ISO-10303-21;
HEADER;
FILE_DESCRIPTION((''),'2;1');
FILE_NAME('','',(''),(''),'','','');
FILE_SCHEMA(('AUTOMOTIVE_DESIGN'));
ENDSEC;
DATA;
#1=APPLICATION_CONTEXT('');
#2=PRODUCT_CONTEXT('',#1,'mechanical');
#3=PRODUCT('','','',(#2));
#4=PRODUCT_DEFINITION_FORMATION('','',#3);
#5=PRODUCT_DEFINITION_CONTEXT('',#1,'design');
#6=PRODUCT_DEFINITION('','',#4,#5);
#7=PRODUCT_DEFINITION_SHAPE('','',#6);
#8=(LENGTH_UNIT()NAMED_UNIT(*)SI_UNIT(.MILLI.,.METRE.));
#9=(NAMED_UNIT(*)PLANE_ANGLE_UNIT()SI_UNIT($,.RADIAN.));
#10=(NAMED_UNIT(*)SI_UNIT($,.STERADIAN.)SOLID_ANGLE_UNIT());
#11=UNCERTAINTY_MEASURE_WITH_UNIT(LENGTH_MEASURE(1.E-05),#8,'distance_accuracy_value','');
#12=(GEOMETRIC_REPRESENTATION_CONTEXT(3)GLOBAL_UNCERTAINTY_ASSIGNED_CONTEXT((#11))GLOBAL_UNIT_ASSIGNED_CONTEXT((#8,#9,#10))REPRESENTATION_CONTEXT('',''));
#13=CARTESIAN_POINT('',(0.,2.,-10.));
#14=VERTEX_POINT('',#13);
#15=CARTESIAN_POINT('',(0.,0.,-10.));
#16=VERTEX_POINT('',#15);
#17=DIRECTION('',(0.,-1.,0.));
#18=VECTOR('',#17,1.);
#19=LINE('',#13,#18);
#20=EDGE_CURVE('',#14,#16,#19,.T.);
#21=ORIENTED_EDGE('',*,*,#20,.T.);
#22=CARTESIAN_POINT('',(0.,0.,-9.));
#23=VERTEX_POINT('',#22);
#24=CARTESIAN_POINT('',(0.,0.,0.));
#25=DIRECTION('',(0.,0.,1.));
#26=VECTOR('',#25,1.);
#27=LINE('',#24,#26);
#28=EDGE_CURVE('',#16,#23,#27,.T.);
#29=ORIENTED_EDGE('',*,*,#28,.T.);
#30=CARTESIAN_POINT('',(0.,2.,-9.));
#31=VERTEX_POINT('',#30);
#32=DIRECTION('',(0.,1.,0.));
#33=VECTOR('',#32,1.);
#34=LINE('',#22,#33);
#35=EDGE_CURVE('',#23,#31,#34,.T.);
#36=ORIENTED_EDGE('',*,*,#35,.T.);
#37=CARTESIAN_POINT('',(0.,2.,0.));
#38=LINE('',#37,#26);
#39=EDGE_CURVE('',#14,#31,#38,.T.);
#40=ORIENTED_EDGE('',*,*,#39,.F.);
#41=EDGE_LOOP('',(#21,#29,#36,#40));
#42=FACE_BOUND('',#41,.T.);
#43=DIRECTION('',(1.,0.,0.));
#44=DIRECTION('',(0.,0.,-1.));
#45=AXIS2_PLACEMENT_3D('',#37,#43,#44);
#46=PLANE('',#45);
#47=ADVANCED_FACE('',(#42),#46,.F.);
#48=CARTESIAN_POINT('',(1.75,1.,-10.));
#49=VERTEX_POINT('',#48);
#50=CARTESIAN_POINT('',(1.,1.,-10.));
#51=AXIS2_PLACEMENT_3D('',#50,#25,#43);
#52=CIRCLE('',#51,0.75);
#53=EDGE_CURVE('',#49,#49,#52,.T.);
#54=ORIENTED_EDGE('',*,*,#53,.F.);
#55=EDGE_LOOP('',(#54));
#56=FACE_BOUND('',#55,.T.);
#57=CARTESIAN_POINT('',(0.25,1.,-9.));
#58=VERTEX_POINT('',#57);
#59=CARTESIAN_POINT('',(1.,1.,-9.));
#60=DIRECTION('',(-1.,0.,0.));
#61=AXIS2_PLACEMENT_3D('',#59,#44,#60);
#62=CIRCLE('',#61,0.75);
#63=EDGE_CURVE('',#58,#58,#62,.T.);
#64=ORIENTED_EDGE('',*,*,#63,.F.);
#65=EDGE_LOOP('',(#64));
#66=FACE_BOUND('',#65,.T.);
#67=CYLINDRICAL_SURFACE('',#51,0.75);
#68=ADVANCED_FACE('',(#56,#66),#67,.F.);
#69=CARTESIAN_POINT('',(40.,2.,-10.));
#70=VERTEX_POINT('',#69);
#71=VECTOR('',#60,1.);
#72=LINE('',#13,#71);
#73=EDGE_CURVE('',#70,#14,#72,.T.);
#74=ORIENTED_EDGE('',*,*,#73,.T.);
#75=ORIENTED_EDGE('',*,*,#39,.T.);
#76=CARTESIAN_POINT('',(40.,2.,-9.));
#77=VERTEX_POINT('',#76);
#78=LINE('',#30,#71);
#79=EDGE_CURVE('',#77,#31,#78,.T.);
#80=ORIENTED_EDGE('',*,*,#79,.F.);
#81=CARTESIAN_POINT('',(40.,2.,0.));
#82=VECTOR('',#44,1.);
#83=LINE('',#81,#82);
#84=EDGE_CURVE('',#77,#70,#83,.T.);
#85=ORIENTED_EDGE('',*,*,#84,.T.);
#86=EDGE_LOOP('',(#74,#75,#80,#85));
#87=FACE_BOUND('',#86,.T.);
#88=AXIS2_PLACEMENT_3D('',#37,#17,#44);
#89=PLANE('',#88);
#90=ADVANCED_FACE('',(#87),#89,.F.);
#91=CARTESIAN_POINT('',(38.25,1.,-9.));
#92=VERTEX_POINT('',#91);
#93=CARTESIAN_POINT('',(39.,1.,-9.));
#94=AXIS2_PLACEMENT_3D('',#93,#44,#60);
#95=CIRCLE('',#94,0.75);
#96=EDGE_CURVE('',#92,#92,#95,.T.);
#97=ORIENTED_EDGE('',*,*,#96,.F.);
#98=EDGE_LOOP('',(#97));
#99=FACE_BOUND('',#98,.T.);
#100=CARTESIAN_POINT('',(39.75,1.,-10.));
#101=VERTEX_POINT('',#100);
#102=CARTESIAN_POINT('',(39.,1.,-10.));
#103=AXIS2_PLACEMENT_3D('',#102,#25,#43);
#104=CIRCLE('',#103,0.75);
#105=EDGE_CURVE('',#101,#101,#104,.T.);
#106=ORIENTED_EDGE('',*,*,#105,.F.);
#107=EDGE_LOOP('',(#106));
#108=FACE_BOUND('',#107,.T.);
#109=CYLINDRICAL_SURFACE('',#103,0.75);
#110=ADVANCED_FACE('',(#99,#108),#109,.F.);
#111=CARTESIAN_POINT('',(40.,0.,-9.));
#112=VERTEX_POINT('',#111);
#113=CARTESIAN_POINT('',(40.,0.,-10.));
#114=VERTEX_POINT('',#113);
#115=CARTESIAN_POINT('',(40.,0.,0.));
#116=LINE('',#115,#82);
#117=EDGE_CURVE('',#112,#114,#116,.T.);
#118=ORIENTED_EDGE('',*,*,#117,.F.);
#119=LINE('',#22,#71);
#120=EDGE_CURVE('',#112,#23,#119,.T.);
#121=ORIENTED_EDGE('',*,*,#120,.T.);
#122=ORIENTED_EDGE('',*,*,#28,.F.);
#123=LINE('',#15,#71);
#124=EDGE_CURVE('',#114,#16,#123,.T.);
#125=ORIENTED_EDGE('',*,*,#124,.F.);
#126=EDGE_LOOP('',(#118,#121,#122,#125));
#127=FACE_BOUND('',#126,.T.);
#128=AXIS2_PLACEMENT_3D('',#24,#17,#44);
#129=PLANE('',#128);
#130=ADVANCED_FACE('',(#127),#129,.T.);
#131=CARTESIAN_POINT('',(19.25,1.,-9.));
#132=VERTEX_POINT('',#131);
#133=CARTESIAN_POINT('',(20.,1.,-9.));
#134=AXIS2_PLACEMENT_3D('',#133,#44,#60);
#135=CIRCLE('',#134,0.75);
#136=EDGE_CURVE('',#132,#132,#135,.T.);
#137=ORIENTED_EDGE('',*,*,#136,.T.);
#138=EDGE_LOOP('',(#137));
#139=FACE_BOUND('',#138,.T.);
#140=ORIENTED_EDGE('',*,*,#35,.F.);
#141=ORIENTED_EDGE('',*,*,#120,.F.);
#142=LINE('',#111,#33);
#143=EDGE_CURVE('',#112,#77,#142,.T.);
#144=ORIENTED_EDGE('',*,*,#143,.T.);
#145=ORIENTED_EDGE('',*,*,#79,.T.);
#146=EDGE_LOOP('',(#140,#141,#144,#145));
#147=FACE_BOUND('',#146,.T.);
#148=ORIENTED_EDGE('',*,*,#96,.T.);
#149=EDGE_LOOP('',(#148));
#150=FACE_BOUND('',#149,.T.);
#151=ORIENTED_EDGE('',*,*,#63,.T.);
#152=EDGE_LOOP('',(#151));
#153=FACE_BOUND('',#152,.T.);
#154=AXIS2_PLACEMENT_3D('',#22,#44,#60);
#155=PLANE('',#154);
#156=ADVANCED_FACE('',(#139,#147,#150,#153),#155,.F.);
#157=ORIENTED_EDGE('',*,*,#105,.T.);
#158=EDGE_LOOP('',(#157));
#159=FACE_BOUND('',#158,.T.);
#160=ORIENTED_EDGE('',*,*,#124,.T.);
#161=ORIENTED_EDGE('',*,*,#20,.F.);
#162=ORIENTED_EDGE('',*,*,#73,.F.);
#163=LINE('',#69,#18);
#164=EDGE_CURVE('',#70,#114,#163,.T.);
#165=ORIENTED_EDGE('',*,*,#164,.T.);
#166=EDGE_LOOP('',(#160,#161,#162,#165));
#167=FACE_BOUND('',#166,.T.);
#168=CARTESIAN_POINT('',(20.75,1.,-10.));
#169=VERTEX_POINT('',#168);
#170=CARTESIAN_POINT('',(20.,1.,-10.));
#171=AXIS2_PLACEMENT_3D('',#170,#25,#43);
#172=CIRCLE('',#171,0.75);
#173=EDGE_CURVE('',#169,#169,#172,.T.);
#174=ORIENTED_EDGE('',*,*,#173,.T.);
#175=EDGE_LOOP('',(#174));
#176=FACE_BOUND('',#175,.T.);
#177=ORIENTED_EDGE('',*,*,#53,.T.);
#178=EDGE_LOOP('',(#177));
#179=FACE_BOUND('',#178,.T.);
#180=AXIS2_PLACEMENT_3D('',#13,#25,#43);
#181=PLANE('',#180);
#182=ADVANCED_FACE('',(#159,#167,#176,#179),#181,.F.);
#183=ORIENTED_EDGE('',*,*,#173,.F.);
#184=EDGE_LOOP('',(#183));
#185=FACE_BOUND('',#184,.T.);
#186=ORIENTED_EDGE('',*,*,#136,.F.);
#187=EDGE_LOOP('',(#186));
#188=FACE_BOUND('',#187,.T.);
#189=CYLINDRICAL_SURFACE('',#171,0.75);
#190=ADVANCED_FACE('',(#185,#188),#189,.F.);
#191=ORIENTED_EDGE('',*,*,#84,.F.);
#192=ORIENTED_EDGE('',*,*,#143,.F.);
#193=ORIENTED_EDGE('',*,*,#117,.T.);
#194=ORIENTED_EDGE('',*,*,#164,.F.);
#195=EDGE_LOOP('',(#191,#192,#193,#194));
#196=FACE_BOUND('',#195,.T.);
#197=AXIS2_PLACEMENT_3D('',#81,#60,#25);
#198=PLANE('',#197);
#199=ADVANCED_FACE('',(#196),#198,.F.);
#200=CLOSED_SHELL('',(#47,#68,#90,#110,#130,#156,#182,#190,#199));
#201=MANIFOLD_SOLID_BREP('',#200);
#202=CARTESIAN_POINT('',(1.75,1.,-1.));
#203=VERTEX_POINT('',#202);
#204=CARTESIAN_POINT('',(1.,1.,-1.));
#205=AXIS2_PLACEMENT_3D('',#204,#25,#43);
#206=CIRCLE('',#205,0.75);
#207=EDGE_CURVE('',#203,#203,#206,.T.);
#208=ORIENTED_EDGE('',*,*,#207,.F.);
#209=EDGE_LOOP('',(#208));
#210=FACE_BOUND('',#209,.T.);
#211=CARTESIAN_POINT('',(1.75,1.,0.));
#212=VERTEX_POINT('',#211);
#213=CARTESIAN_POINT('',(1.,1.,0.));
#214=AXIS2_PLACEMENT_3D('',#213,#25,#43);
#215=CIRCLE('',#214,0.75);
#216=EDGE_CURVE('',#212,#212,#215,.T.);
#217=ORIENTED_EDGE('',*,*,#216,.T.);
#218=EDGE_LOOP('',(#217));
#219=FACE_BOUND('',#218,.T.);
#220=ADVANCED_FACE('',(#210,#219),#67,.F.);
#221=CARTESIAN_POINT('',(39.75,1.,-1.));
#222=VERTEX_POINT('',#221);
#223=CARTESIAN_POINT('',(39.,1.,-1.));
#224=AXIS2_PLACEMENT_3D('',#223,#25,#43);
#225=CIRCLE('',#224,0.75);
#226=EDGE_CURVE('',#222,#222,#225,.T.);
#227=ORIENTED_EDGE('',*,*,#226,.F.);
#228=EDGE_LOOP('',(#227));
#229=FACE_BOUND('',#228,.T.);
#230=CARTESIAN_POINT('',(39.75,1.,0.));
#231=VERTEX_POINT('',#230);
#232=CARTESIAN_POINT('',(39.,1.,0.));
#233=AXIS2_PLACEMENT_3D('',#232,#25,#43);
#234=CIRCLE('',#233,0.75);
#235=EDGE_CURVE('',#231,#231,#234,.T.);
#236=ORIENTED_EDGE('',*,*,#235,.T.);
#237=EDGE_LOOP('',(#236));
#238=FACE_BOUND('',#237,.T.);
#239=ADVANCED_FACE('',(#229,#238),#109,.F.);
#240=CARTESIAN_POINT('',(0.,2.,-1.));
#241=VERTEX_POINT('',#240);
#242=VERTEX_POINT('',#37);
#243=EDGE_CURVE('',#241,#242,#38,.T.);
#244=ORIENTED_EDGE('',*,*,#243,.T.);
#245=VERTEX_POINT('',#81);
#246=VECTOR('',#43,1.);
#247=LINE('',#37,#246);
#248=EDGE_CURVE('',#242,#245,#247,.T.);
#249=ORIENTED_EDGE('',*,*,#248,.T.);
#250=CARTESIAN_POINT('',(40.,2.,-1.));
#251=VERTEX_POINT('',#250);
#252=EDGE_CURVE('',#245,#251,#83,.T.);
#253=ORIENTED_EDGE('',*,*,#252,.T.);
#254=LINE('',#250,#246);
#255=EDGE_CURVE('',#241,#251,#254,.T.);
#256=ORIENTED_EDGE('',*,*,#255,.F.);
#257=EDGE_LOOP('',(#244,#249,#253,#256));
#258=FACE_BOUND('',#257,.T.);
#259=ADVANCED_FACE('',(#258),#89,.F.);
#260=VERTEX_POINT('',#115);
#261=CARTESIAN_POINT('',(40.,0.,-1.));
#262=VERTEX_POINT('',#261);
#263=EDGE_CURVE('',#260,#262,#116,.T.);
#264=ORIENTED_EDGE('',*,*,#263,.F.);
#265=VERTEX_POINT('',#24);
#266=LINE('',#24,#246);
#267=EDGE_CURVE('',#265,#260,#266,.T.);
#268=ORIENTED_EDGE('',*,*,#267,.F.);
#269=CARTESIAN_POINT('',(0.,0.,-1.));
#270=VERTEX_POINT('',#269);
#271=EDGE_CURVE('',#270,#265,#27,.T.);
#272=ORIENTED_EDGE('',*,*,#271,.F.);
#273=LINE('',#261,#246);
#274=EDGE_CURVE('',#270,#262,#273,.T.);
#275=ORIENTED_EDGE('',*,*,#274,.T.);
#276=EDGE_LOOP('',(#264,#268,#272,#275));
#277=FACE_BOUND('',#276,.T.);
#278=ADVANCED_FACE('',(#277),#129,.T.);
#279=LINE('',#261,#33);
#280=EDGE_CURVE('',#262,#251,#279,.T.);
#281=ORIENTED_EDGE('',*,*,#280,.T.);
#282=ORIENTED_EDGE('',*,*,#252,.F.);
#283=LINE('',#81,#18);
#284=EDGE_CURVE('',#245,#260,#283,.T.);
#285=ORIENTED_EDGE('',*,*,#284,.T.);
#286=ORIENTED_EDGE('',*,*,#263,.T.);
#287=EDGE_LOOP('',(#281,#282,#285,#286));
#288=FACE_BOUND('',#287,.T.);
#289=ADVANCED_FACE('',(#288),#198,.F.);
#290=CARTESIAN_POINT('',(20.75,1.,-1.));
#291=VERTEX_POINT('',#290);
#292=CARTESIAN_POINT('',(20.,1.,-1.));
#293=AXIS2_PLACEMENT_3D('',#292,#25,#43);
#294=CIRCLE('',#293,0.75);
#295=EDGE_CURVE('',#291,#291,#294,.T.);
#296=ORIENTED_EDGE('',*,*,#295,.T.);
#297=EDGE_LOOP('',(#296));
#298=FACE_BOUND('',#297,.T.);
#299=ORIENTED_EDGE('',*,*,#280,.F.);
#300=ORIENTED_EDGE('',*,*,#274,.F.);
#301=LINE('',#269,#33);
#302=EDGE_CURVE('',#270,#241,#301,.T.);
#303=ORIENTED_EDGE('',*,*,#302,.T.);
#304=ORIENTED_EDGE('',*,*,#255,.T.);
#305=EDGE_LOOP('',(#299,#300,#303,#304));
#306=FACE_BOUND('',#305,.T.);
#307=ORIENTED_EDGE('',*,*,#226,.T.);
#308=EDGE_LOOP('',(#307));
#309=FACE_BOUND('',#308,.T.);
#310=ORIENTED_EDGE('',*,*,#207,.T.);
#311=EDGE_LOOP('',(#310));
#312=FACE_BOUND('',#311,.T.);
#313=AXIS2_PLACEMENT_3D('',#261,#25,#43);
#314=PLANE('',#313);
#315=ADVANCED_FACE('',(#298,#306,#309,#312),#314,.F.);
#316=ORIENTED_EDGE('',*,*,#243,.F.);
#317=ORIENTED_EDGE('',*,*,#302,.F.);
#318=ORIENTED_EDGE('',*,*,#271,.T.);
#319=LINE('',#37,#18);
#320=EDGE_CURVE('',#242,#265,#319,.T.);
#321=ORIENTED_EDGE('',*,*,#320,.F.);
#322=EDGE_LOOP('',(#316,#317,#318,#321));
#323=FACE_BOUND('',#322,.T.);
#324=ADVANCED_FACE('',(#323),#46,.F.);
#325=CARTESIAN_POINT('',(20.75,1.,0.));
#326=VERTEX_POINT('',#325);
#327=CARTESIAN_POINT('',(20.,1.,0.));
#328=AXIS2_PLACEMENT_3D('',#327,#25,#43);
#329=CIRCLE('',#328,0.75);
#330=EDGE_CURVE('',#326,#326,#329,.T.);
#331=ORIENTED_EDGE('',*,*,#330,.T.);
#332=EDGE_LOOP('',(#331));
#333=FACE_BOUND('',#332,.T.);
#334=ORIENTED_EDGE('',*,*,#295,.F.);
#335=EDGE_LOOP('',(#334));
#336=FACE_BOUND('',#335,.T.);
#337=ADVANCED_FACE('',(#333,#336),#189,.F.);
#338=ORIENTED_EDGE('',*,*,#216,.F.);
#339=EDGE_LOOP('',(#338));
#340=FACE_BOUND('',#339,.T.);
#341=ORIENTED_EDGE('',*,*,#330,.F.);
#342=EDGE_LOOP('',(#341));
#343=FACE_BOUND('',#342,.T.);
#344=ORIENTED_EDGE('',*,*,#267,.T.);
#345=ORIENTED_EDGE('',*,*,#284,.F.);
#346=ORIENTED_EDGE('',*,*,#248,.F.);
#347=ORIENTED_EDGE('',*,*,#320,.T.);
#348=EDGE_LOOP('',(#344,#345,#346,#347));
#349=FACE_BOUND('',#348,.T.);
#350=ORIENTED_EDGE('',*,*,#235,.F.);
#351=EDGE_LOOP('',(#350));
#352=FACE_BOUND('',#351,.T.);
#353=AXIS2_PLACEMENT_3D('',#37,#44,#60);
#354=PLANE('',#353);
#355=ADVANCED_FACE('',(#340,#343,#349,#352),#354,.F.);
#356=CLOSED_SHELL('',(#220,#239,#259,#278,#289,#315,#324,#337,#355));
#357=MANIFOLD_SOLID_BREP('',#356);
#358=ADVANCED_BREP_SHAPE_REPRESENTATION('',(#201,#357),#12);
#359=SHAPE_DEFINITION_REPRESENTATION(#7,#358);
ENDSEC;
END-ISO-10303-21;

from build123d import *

# Parameters (mm, degrees)
SKETCH1_W           = 40
SKETCH1_H           = 10
BOSS_EXTRUDE1_DEPTH = 2
SKETCH4_W           = 40
SKETCH4_H           = 8
CUT_EXTRUDE2_DEPTH  = 2
SKETCH5_R           = 0.75
CUT_EXTRUDE3_DEPTH  = 42.279534881


with BuildPart() as part:
    # Sketch1 → Boss-Extrude1 (new body)
    with BuildSketch(Plane(origin=(0, 0, 0), x_dir=(1, 0, 0), z_dir=(0, 1, 0))):
        with Locations((20, 5)):
            Rectangle(SKETCH1_W, SKETCH1_H)
    extrude(amount=BOSS_EXTRUDE1_DEPTH)

    # Sketch4 → Cut-Extrude2 (cut)
    with BuildSketch(Plane(origin=(0, 2, 0), x_dir=(1, 0, 0), z_dir=(0, 1, 0))):
        with Locations((20, 5)):
            Rectangle(SKETCH4_W, SKETCH4_H)
    extrude(amount=-CUT_EXTRUDE2_DEPTH, mode=Mode.SUBTRACT)


with BuildPart() as cut_extrude2_piece_1:
    # of the separate pieces the step leaves, piece 1, a body of its own (cut_extrude2_pieces)
    add(part.part.solids().sort_by_distance((0, 0, 0))[0])


with BuildPart() as cut_extrude2_piece_2:
    # of the separate pieces the step leaves, piece 2, a body of its own (cut_extrude2_pieces)
    add(part.part.solids().sort_by_distance((0, 0, -10))[0])


with BuildPart() as cut_extrude3_tool:
    # Sketch5 → Cut-Extrude3 (new, through all)
    with BuildSketch(Plane.XY):
        with Locations((20, 1)):
            Circle(SKETCH5_R)
        with Locations((1, 1)):
            Circle(SKETCH5_R)
        with Locations((39, 1)):
            Circle(SKETCH5_R)
    extrude(amount=-CUT_EXTRUDE3_DEPTH)


with BuildPart() as cut_extrude2_piece_1_1:
    add(cut_extrude2_piece_1.part)

    # Cut-Extrude3: cut by cut_extrude3_tool
    add(cut_extrude3_tool.part, mode=Mode.SUBTRACT)


with BuildPart() as cut_extrude2_piece_2_1:
    add(cut_extrude2_piece_2.part)

    # Cut-Extrude3: cut by cut_extrude3_tool
    add(cut_extrude3_tool.part, mode=Mode.SUBTRACT)


solid = Compound([cut_extrude2_piece_1_1.part, cut_extrude2_piece_2_1.part])
